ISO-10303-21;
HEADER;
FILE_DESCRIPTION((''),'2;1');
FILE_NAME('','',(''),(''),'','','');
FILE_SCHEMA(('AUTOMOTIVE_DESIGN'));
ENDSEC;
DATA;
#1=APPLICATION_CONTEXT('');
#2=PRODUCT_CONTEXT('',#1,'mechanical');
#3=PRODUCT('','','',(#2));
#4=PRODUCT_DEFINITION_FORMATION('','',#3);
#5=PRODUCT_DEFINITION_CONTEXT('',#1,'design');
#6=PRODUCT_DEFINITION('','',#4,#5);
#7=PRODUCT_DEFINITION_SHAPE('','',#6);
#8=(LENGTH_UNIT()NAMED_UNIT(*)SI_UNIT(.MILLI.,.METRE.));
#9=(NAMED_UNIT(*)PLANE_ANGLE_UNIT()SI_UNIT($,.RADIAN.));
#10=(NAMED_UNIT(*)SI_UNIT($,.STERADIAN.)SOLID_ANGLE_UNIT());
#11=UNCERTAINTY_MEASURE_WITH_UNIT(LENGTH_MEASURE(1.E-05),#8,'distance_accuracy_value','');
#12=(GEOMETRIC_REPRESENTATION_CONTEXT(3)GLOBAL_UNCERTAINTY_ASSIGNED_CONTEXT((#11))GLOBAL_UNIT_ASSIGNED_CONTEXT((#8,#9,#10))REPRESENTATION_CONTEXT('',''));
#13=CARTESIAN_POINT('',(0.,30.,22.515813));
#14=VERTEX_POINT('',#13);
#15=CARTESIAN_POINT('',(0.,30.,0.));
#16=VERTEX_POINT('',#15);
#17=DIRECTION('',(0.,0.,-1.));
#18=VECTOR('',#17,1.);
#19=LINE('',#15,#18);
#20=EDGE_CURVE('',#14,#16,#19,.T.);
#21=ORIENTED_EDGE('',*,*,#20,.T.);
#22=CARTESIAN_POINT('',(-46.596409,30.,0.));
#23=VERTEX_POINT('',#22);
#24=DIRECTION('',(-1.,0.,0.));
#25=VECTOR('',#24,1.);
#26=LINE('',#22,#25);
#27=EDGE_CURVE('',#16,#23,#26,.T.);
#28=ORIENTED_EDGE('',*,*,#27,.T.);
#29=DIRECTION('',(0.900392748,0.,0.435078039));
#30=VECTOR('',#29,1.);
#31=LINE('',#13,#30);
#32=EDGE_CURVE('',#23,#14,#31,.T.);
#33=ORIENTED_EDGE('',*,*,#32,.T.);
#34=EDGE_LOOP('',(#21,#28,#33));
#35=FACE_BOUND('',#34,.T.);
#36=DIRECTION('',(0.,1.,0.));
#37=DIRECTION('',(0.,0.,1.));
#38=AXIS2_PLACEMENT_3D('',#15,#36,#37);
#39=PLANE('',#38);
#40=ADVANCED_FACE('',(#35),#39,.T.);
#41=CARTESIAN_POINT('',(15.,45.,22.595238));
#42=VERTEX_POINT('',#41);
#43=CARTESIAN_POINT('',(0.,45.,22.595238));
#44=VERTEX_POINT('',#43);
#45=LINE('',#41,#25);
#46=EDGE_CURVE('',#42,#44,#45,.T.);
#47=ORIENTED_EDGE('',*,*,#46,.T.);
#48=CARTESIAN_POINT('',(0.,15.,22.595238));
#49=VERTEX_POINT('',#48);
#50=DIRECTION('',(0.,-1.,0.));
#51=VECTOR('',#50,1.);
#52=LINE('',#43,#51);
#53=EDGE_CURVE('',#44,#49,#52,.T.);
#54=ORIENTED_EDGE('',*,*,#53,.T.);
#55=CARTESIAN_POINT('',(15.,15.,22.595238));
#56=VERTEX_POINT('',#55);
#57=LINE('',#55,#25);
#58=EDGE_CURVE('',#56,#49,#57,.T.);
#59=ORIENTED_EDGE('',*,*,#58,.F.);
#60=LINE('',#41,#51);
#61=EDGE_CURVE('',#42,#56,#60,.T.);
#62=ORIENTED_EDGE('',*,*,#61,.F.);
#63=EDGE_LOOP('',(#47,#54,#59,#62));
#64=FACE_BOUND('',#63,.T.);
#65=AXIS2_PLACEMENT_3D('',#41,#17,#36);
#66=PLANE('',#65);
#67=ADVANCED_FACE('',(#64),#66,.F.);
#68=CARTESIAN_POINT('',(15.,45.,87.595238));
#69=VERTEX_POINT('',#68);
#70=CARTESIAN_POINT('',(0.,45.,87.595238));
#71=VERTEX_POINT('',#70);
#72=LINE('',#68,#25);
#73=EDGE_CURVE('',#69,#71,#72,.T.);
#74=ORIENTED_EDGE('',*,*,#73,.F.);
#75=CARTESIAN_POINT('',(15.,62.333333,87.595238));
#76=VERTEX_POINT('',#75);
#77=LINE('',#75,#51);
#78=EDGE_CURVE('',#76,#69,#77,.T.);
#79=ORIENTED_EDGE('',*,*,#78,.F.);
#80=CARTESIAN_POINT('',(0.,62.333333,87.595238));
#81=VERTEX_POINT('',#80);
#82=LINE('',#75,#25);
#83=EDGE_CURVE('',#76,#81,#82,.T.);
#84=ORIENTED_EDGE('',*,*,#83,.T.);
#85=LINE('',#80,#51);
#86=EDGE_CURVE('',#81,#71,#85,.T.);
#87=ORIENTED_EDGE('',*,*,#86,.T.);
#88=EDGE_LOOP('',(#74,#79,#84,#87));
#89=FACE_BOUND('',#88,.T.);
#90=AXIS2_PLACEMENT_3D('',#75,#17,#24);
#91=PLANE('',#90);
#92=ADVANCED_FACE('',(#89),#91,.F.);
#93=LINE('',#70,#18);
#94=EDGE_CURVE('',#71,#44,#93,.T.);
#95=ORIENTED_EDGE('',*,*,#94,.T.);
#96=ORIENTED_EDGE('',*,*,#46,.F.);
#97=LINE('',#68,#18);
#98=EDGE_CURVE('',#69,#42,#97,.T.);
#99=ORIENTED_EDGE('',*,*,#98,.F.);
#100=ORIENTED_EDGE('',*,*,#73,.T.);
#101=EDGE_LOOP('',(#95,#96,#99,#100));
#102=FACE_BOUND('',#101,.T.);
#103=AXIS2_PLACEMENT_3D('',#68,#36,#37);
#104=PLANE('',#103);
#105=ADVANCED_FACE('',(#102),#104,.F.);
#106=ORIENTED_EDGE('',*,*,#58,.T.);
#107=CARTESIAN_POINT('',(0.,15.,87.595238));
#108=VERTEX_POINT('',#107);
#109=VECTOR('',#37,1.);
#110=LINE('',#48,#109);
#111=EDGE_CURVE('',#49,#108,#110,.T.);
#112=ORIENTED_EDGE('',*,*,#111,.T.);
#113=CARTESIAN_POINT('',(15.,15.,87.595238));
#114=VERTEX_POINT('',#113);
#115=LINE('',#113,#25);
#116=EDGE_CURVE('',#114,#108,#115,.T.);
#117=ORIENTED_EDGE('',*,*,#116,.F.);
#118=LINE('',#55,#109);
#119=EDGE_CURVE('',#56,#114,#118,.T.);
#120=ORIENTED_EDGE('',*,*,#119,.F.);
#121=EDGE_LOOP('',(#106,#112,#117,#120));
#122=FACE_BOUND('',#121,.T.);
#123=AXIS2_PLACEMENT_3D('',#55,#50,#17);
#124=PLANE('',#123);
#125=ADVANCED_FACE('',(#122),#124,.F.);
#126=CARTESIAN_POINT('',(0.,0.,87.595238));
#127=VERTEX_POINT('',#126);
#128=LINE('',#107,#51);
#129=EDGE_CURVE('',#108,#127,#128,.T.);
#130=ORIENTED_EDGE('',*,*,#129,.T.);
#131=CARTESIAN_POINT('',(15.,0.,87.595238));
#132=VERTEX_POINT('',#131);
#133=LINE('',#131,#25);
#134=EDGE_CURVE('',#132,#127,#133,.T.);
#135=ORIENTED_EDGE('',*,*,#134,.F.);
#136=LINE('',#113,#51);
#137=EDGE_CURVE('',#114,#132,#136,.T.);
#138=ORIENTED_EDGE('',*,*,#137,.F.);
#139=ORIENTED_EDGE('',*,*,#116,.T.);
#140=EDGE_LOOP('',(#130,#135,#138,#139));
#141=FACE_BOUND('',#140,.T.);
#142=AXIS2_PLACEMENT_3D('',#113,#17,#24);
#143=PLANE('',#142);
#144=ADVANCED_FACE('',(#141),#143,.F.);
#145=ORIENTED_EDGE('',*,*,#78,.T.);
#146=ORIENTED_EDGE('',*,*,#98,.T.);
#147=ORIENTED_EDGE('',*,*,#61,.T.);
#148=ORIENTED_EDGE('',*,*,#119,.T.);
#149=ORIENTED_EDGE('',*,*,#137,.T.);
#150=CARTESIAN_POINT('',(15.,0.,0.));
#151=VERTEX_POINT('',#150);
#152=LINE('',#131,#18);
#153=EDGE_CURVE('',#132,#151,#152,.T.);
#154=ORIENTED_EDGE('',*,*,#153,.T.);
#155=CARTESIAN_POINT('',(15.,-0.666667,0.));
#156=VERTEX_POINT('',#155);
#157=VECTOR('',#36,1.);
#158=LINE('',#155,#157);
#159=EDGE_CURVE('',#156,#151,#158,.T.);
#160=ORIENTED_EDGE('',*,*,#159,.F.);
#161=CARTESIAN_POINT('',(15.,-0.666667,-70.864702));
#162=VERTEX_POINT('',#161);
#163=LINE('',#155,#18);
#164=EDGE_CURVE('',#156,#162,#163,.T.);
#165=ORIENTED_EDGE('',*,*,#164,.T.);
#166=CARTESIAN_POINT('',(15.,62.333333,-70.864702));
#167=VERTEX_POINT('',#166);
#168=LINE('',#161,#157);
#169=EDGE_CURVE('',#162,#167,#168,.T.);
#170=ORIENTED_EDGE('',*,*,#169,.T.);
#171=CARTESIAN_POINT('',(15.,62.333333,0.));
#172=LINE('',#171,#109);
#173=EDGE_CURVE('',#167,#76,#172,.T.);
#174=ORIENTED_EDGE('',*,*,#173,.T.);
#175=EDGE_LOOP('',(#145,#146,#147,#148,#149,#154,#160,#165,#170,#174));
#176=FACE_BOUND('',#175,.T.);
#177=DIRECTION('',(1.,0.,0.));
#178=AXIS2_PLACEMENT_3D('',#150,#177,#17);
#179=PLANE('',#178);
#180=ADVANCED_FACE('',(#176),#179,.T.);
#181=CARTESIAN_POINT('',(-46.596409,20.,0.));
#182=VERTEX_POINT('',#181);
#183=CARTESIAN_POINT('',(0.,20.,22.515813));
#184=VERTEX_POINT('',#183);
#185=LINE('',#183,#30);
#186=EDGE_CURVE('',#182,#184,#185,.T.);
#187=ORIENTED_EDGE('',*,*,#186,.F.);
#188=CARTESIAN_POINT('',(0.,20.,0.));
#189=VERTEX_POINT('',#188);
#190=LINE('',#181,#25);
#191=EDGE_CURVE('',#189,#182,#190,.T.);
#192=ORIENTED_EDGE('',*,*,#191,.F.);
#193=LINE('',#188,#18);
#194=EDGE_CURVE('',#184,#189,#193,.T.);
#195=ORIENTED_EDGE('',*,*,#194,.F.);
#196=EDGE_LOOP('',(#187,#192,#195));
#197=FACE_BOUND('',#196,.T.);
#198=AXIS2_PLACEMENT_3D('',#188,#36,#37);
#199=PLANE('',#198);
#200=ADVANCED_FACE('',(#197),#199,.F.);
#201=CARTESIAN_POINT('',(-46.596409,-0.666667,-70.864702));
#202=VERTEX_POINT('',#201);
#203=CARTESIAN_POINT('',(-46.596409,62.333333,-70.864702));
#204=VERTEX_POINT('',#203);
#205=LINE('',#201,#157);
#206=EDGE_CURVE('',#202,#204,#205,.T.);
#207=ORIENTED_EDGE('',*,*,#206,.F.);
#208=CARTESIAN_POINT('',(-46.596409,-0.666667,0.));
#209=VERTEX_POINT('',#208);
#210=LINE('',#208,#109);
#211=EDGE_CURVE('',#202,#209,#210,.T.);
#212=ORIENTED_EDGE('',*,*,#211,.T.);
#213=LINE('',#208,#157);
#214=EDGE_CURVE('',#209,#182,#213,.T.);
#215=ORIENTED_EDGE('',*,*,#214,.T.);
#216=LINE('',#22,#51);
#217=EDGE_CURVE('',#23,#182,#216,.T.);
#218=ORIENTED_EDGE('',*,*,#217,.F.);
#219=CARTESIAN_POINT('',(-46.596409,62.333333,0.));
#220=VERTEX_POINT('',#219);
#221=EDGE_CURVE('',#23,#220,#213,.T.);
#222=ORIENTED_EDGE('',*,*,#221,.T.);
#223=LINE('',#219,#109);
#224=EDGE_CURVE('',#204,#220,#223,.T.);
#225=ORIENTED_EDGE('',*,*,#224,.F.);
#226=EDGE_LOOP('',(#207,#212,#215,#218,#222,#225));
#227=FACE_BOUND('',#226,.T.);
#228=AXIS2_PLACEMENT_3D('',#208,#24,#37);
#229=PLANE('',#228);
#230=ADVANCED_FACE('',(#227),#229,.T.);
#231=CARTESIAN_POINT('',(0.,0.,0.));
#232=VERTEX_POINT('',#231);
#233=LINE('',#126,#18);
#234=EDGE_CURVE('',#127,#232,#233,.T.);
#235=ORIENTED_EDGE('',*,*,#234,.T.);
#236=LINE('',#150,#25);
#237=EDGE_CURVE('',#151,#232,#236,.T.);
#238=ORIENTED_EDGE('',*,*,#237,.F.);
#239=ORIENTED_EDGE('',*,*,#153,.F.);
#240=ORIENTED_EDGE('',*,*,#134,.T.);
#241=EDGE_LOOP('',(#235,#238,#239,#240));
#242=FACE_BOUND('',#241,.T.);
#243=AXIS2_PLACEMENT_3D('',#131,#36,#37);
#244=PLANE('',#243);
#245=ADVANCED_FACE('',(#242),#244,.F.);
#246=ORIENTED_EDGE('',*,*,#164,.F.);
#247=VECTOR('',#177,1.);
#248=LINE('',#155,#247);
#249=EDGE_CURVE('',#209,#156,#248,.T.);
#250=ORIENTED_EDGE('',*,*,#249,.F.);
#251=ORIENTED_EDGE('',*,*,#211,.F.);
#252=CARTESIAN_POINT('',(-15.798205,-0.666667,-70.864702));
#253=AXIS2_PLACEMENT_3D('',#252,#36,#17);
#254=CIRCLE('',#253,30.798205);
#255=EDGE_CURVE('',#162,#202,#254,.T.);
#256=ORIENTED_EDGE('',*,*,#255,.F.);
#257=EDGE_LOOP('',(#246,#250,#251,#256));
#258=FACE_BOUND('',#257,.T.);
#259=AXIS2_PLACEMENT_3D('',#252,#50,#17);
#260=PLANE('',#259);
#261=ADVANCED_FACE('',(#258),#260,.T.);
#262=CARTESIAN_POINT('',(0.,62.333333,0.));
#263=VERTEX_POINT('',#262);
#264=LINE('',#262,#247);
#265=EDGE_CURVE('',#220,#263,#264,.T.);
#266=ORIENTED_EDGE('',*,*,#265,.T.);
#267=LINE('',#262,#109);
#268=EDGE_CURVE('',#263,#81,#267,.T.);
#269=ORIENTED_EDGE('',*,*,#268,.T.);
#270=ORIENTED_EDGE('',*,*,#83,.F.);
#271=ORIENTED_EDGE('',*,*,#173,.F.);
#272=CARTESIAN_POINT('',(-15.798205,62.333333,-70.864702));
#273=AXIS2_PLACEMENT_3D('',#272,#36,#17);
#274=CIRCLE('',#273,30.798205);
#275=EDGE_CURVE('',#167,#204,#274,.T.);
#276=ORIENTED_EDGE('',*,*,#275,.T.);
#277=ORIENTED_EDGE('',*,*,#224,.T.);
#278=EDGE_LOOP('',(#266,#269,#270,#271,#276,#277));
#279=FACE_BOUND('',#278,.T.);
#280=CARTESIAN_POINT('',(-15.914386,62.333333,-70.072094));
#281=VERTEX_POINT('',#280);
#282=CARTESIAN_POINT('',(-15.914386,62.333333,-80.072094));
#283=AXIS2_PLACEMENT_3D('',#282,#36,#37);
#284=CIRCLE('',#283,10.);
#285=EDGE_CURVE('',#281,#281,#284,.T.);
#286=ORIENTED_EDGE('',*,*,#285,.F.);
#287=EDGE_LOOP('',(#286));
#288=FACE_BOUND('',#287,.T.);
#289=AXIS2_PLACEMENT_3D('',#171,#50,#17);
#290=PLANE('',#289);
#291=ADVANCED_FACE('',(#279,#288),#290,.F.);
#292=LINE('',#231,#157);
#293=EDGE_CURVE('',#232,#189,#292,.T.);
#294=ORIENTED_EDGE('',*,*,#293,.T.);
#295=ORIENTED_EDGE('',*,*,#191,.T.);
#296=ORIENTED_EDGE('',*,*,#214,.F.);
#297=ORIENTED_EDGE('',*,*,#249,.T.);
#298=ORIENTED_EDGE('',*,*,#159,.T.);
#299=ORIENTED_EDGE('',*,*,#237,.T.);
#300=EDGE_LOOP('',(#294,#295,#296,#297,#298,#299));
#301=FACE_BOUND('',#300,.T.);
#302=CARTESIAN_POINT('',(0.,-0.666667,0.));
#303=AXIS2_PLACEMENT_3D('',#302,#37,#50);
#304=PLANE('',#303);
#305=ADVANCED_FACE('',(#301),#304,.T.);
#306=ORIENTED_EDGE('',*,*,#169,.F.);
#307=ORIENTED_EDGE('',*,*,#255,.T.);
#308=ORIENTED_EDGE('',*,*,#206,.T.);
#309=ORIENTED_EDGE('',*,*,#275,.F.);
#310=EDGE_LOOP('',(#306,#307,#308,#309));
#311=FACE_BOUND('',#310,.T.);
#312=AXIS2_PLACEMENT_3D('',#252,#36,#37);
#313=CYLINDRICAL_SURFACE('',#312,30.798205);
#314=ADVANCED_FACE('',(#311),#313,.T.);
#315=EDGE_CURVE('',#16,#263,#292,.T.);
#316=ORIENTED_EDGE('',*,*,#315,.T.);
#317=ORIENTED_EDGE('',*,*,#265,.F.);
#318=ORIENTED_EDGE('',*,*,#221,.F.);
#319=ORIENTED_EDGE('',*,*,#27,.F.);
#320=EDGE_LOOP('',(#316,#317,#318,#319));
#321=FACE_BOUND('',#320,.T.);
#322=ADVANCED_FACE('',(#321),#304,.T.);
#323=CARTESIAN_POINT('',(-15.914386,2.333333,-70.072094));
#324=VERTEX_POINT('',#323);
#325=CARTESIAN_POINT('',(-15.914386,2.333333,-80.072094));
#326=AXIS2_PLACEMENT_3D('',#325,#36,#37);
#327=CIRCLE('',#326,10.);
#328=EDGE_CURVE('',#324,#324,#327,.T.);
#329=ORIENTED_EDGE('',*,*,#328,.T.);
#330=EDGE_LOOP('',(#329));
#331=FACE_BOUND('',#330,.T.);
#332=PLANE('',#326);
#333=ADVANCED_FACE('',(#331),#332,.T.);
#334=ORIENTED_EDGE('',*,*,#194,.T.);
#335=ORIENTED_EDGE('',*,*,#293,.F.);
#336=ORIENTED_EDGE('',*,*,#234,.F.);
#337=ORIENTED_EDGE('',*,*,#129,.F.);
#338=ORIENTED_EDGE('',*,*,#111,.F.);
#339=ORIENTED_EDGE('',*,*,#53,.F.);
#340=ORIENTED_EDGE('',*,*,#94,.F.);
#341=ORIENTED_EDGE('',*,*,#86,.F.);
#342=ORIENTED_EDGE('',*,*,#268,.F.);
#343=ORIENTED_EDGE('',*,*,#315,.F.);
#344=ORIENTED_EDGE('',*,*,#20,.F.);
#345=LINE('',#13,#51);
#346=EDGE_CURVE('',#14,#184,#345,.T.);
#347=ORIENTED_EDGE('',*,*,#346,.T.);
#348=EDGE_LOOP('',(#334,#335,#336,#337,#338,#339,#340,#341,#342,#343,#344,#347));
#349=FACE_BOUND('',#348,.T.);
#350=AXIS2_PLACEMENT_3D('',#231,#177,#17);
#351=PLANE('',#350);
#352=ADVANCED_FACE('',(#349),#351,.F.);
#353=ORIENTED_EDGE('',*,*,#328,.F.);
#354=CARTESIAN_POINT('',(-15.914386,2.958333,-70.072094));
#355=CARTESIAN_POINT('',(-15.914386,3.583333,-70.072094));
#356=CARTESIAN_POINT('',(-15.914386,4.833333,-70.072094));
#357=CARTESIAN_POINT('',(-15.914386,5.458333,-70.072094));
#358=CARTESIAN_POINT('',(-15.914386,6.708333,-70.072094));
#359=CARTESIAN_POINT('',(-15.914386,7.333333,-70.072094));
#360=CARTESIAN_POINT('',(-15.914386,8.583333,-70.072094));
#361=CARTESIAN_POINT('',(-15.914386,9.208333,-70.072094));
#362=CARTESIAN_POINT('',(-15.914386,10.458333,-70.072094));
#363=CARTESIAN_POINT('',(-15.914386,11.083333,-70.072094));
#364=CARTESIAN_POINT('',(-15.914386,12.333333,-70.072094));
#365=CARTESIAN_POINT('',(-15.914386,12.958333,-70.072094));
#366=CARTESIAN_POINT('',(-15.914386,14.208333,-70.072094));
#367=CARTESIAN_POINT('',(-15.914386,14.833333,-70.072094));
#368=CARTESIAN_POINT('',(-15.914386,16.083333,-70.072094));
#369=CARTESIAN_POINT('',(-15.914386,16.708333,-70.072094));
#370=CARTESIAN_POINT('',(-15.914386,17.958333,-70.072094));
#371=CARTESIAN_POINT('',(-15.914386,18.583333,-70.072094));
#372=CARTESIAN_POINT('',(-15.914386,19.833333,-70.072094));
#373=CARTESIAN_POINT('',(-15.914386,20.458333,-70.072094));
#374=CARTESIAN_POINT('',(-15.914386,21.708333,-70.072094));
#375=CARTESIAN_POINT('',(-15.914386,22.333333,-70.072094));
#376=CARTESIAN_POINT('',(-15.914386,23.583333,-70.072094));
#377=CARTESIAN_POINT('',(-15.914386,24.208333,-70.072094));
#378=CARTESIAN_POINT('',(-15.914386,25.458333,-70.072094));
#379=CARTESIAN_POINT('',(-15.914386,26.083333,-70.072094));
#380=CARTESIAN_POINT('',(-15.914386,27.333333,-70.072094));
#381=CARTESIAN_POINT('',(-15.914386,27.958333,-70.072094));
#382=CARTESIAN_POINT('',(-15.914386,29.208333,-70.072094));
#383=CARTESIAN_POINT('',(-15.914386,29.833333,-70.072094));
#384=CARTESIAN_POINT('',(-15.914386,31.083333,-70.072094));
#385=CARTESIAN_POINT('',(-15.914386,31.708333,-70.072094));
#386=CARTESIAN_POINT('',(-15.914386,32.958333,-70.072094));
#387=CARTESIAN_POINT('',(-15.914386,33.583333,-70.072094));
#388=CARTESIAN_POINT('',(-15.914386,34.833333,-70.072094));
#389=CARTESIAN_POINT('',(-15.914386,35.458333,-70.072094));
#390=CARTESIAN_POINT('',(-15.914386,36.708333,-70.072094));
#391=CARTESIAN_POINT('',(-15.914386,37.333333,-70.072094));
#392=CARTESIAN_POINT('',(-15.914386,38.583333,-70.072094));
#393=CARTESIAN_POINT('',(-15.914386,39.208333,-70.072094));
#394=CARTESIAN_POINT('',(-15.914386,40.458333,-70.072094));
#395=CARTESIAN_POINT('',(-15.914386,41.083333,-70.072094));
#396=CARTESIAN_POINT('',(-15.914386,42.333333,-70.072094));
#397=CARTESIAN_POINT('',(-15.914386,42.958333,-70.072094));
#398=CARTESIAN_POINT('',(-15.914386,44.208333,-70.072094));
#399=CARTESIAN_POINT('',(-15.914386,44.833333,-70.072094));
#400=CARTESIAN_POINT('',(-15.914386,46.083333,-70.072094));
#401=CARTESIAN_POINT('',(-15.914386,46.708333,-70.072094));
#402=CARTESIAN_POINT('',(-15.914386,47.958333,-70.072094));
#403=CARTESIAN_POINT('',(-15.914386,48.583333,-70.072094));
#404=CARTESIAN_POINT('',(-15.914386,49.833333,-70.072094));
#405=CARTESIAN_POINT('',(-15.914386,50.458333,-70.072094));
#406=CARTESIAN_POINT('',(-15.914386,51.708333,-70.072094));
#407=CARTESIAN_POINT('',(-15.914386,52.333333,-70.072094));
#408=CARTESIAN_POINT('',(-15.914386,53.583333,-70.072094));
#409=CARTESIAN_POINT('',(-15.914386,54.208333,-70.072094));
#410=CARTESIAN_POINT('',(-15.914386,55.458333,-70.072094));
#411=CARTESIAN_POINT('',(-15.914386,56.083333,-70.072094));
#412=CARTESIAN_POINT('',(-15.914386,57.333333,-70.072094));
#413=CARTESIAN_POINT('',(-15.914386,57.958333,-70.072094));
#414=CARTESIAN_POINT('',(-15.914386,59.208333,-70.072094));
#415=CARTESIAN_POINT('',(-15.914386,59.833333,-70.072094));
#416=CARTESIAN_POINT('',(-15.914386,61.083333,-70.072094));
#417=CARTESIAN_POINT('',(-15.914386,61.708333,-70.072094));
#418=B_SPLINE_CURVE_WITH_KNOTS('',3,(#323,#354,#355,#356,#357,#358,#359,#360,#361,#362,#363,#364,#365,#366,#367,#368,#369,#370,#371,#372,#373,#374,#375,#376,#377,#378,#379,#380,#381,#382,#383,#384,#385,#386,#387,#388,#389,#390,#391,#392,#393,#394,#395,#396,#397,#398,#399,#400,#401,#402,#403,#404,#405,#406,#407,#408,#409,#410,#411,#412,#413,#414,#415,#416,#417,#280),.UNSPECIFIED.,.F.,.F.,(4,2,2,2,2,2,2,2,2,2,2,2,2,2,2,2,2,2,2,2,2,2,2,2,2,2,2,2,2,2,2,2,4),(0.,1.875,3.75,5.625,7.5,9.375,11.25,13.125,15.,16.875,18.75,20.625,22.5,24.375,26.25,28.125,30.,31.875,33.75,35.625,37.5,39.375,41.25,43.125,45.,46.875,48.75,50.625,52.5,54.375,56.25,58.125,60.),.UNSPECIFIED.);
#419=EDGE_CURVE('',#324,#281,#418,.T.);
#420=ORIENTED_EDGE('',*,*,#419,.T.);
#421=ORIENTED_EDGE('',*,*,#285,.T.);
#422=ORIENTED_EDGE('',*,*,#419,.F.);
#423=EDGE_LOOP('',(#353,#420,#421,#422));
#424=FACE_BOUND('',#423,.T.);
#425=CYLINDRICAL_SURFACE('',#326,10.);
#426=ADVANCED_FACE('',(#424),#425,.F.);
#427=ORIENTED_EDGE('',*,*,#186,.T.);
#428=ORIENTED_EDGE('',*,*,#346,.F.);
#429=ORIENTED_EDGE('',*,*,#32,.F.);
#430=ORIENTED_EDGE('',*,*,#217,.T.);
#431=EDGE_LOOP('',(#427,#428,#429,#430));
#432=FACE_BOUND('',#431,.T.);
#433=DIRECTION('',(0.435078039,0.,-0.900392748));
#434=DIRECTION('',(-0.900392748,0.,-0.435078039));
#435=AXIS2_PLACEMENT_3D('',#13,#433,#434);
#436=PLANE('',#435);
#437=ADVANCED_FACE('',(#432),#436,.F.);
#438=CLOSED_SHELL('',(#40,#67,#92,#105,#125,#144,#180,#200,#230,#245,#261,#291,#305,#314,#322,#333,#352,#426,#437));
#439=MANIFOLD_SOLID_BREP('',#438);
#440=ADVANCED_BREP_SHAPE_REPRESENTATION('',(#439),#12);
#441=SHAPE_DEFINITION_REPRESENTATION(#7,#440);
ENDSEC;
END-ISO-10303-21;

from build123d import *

# Parameters (mm, degrees)
BOSS_EXTRUDE3_DEPTH = 15
BOSS_EXTRUDE6_DEPTH = 63
SKETCH8_R           = 10
CUT_EXTRUDE1_DEPTH  = 60
BOSS_EXTRUDE8_DEPTH = 10


with BuildPart() as part:
    # Sketch4 → Boss-Extrude3 (new body)
    with BuildSketch(Plane(origin=(0, 0, 0), x_dir=(0, 0, -1), z_dir=(1, 0, 0))):
        Polygon((0, 0), (0, 62.333333333), (-87.595238095, 62.333333333), (-87.595238095, 45), (-22.595238095, 45), (-22.595238095, 15), (-87.595238095, 15), (-87.595238095, 0), align=None)
    extrude(amount=BOSS_EXTRUDE3_DEPTH)

    # Sketch7 → Boss-Extrude6 (add)
    with BuildSketch(Plane(origin=(0, 62.333333333, 0), x_dir=(1, 0, 0), z_dir=(0, 1, 0))):
        with BuildLine():
            Line((15, 0), (15, 70.864702181))
            ThreePointArc((15, 70.864702181), (-15.798204654, 101.662906835), (-46.596409308, 70.864702181))
            Line((-46.596409308, 70.864702181), (-46.596409308, 0))
            Line((-46.596409308, 0), (0, 0))
            Line((0, 0), (15, 0))
        make_face()
    extrude(amount=-BOSS_EXTRUDE6_DEPTH)

    # Sketch8 → Cut-Extrude1 (cut)
    with BuildSketch(Plane(origin=(0, 62.333333333, 0), x_dir=(1, 0, 0), z_dir=(0, 1, 0))):
        with Locations(Location((-15.914385608, 80.072094145, 0), (0, 0, 270))):
            Circle(SKETCH8_R)
    extrude(amount=-CUT_EXTRUDE1_DEPTH, mode=Mode.SUBTRACT)

    # Sketch12 → Boss-Extrude8 (add)
    with BuildSketch(Plane(origin=(0, 20, 0), x_dir=(1, 0, 0), z_dir=(0, 1, 0))):
        Polygon((-46.596409308, 0), (0, 0), (0, -22.515812616), align=None)
    extrude(amount=BOSS_EXTRUDE8_DEPTH)


solid = part.part
